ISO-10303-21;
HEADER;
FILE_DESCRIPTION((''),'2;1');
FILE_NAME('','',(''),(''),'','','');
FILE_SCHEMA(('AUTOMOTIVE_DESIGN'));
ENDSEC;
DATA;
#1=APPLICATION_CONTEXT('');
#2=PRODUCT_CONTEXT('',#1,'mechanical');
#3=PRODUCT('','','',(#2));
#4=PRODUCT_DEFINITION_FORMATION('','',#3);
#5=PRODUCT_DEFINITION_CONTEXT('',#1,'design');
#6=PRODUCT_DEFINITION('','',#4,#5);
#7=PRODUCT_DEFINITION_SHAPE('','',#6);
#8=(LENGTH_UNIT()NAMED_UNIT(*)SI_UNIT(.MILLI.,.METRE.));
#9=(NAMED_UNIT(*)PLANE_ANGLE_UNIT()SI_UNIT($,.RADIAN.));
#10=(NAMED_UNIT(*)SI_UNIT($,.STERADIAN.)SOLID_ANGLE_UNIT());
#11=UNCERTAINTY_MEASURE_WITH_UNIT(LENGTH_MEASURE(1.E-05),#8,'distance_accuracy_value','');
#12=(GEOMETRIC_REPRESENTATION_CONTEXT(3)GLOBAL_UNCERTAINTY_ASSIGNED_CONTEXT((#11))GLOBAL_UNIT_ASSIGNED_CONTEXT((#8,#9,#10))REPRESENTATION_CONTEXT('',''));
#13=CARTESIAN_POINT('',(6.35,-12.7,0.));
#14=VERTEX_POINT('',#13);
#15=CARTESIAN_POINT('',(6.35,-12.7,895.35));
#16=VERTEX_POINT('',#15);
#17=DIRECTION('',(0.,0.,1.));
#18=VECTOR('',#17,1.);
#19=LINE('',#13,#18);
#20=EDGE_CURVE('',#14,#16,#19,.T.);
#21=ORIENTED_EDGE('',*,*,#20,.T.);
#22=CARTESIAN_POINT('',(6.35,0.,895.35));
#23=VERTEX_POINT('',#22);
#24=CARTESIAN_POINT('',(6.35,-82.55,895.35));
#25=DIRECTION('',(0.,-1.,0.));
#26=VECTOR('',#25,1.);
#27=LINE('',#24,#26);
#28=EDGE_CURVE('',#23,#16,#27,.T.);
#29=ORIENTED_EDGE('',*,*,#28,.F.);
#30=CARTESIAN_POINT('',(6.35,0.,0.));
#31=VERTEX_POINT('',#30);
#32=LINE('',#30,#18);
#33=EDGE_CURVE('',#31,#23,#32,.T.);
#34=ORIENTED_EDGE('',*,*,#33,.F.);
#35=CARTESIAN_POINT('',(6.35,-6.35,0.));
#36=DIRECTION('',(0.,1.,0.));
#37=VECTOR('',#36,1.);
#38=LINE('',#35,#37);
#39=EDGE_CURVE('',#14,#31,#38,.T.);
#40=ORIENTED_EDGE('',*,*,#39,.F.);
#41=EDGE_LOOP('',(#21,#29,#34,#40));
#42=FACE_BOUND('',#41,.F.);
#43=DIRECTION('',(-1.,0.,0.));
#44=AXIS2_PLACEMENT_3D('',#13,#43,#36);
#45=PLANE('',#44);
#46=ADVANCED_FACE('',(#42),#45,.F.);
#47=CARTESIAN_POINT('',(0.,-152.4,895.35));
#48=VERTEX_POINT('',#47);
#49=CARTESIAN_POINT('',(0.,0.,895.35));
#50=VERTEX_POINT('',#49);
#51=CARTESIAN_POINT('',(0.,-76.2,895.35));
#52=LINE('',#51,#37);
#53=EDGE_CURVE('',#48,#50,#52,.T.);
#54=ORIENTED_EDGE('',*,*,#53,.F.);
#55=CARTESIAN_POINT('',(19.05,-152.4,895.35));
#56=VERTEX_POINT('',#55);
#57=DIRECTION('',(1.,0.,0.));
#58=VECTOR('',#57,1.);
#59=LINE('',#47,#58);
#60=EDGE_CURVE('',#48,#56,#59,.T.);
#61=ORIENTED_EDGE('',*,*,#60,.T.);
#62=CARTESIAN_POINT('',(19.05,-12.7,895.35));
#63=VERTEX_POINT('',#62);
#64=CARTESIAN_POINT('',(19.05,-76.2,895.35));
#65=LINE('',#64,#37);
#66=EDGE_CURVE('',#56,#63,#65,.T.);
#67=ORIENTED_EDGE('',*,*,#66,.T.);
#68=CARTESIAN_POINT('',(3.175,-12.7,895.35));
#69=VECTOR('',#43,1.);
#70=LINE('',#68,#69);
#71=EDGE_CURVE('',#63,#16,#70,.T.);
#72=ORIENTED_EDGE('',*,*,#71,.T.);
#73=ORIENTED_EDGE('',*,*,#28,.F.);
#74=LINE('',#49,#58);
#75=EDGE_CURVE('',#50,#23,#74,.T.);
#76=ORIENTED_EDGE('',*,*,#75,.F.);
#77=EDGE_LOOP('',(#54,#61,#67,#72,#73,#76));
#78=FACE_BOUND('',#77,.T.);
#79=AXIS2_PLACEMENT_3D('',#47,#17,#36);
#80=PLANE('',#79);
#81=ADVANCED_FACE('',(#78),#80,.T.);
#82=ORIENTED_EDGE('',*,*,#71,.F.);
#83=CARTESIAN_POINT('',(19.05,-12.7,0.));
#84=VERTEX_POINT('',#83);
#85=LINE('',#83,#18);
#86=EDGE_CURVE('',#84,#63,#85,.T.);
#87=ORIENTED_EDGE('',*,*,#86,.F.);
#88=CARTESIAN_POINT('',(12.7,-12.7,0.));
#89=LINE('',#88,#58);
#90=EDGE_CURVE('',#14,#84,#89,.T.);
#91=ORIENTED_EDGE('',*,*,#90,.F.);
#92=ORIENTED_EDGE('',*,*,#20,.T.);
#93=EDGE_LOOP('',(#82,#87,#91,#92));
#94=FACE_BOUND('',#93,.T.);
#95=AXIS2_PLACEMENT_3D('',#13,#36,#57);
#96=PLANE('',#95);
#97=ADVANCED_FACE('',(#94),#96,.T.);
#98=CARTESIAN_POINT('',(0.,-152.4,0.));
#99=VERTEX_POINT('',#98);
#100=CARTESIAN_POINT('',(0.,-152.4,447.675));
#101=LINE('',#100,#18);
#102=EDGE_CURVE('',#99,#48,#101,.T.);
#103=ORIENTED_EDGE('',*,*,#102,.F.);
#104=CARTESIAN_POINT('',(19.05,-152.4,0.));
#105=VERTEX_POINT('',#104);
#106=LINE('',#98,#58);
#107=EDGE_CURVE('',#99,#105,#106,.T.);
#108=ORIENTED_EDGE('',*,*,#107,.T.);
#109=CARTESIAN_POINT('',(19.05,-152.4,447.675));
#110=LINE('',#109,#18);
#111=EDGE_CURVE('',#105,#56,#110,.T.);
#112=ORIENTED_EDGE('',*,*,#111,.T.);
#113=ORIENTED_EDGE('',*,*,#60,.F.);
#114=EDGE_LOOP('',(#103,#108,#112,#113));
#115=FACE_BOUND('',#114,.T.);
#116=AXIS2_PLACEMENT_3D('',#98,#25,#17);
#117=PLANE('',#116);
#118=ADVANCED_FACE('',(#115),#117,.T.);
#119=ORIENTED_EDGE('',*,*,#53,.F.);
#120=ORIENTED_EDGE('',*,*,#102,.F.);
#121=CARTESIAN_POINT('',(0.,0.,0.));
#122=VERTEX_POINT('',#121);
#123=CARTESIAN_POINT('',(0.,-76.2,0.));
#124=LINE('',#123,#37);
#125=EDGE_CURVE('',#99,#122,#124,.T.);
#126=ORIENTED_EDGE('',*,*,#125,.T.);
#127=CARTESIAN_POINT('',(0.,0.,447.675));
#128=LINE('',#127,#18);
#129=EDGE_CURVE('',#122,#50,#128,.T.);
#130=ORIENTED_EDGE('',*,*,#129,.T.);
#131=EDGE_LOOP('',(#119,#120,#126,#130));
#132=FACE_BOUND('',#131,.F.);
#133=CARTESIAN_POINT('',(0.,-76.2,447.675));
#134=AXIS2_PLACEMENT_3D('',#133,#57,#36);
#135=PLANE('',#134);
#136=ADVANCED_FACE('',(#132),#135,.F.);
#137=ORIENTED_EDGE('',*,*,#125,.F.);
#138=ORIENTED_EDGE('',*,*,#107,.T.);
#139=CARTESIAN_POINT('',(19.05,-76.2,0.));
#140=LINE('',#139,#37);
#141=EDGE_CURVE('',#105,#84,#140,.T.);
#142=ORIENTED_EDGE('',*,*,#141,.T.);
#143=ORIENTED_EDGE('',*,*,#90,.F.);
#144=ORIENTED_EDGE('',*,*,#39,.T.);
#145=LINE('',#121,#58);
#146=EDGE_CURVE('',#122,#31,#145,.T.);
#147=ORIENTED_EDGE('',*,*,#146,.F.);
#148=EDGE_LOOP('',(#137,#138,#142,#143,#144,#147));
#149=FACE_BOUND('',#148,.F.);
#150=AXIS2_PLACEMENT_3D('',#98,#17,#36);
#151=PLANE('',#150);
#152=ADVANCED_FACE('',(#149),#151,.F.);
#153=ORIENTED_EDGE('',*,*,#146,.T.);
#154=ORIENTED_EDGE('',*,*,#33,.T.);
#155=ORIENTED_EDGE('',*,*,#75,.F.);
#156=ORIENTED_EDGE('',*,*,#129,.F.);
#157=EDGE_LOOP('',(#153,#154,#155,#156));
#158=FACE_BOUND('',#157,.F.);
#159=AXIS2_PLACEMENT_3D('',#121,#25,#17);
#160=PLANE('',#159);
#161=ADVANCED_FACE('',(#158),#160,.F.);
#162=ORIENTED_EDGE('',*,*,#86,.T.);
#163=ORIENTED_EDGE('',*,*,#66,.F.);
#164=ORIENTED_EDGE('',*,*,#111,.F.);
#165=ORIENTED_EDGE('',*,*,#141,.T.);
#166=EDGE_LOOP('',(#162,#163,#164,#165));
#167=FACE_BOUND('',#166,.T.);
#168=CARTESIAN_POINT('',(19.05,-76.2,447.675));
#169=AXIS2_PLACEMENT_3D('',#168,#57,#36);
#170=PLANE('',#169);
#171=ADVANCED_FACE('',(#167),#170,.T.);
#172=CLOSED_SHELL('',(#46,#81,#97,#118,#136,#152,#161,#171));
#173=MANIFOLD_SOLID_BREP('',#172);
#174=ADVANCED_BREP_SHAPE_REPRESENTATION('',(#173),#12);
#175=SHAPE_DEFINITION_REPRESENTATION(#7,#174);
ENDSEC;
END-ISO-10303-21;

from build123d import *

# Parameters (mm, degrees)
F0_W     = 152.4
F0_H     = 895.35
F1_DEPTH = 19.05
F2_W     = 12.7
F2_H     = 12.7
F3_DEPTH = 895.351


with BuildPart() as f1:
    # F0 (on Right) → F1 (new body)
    with BuildSketch(Plane.YZ):
        with Locations((-76.2, 447.675)):
            Rectangle(F0_W, F0_H)
    extrude(amount=F1_DEPTH)

    # F2 (on Top) → F3 (cut, through all)
    with BuildSketch(Plane.XY):
        with Locations((12.7, -6.35)):
            Rectangle(F2_W, F2_H)
    extrude(amount=F3_DEPTH, mode=Mode.SUBTRACT)


solid = f1.part
